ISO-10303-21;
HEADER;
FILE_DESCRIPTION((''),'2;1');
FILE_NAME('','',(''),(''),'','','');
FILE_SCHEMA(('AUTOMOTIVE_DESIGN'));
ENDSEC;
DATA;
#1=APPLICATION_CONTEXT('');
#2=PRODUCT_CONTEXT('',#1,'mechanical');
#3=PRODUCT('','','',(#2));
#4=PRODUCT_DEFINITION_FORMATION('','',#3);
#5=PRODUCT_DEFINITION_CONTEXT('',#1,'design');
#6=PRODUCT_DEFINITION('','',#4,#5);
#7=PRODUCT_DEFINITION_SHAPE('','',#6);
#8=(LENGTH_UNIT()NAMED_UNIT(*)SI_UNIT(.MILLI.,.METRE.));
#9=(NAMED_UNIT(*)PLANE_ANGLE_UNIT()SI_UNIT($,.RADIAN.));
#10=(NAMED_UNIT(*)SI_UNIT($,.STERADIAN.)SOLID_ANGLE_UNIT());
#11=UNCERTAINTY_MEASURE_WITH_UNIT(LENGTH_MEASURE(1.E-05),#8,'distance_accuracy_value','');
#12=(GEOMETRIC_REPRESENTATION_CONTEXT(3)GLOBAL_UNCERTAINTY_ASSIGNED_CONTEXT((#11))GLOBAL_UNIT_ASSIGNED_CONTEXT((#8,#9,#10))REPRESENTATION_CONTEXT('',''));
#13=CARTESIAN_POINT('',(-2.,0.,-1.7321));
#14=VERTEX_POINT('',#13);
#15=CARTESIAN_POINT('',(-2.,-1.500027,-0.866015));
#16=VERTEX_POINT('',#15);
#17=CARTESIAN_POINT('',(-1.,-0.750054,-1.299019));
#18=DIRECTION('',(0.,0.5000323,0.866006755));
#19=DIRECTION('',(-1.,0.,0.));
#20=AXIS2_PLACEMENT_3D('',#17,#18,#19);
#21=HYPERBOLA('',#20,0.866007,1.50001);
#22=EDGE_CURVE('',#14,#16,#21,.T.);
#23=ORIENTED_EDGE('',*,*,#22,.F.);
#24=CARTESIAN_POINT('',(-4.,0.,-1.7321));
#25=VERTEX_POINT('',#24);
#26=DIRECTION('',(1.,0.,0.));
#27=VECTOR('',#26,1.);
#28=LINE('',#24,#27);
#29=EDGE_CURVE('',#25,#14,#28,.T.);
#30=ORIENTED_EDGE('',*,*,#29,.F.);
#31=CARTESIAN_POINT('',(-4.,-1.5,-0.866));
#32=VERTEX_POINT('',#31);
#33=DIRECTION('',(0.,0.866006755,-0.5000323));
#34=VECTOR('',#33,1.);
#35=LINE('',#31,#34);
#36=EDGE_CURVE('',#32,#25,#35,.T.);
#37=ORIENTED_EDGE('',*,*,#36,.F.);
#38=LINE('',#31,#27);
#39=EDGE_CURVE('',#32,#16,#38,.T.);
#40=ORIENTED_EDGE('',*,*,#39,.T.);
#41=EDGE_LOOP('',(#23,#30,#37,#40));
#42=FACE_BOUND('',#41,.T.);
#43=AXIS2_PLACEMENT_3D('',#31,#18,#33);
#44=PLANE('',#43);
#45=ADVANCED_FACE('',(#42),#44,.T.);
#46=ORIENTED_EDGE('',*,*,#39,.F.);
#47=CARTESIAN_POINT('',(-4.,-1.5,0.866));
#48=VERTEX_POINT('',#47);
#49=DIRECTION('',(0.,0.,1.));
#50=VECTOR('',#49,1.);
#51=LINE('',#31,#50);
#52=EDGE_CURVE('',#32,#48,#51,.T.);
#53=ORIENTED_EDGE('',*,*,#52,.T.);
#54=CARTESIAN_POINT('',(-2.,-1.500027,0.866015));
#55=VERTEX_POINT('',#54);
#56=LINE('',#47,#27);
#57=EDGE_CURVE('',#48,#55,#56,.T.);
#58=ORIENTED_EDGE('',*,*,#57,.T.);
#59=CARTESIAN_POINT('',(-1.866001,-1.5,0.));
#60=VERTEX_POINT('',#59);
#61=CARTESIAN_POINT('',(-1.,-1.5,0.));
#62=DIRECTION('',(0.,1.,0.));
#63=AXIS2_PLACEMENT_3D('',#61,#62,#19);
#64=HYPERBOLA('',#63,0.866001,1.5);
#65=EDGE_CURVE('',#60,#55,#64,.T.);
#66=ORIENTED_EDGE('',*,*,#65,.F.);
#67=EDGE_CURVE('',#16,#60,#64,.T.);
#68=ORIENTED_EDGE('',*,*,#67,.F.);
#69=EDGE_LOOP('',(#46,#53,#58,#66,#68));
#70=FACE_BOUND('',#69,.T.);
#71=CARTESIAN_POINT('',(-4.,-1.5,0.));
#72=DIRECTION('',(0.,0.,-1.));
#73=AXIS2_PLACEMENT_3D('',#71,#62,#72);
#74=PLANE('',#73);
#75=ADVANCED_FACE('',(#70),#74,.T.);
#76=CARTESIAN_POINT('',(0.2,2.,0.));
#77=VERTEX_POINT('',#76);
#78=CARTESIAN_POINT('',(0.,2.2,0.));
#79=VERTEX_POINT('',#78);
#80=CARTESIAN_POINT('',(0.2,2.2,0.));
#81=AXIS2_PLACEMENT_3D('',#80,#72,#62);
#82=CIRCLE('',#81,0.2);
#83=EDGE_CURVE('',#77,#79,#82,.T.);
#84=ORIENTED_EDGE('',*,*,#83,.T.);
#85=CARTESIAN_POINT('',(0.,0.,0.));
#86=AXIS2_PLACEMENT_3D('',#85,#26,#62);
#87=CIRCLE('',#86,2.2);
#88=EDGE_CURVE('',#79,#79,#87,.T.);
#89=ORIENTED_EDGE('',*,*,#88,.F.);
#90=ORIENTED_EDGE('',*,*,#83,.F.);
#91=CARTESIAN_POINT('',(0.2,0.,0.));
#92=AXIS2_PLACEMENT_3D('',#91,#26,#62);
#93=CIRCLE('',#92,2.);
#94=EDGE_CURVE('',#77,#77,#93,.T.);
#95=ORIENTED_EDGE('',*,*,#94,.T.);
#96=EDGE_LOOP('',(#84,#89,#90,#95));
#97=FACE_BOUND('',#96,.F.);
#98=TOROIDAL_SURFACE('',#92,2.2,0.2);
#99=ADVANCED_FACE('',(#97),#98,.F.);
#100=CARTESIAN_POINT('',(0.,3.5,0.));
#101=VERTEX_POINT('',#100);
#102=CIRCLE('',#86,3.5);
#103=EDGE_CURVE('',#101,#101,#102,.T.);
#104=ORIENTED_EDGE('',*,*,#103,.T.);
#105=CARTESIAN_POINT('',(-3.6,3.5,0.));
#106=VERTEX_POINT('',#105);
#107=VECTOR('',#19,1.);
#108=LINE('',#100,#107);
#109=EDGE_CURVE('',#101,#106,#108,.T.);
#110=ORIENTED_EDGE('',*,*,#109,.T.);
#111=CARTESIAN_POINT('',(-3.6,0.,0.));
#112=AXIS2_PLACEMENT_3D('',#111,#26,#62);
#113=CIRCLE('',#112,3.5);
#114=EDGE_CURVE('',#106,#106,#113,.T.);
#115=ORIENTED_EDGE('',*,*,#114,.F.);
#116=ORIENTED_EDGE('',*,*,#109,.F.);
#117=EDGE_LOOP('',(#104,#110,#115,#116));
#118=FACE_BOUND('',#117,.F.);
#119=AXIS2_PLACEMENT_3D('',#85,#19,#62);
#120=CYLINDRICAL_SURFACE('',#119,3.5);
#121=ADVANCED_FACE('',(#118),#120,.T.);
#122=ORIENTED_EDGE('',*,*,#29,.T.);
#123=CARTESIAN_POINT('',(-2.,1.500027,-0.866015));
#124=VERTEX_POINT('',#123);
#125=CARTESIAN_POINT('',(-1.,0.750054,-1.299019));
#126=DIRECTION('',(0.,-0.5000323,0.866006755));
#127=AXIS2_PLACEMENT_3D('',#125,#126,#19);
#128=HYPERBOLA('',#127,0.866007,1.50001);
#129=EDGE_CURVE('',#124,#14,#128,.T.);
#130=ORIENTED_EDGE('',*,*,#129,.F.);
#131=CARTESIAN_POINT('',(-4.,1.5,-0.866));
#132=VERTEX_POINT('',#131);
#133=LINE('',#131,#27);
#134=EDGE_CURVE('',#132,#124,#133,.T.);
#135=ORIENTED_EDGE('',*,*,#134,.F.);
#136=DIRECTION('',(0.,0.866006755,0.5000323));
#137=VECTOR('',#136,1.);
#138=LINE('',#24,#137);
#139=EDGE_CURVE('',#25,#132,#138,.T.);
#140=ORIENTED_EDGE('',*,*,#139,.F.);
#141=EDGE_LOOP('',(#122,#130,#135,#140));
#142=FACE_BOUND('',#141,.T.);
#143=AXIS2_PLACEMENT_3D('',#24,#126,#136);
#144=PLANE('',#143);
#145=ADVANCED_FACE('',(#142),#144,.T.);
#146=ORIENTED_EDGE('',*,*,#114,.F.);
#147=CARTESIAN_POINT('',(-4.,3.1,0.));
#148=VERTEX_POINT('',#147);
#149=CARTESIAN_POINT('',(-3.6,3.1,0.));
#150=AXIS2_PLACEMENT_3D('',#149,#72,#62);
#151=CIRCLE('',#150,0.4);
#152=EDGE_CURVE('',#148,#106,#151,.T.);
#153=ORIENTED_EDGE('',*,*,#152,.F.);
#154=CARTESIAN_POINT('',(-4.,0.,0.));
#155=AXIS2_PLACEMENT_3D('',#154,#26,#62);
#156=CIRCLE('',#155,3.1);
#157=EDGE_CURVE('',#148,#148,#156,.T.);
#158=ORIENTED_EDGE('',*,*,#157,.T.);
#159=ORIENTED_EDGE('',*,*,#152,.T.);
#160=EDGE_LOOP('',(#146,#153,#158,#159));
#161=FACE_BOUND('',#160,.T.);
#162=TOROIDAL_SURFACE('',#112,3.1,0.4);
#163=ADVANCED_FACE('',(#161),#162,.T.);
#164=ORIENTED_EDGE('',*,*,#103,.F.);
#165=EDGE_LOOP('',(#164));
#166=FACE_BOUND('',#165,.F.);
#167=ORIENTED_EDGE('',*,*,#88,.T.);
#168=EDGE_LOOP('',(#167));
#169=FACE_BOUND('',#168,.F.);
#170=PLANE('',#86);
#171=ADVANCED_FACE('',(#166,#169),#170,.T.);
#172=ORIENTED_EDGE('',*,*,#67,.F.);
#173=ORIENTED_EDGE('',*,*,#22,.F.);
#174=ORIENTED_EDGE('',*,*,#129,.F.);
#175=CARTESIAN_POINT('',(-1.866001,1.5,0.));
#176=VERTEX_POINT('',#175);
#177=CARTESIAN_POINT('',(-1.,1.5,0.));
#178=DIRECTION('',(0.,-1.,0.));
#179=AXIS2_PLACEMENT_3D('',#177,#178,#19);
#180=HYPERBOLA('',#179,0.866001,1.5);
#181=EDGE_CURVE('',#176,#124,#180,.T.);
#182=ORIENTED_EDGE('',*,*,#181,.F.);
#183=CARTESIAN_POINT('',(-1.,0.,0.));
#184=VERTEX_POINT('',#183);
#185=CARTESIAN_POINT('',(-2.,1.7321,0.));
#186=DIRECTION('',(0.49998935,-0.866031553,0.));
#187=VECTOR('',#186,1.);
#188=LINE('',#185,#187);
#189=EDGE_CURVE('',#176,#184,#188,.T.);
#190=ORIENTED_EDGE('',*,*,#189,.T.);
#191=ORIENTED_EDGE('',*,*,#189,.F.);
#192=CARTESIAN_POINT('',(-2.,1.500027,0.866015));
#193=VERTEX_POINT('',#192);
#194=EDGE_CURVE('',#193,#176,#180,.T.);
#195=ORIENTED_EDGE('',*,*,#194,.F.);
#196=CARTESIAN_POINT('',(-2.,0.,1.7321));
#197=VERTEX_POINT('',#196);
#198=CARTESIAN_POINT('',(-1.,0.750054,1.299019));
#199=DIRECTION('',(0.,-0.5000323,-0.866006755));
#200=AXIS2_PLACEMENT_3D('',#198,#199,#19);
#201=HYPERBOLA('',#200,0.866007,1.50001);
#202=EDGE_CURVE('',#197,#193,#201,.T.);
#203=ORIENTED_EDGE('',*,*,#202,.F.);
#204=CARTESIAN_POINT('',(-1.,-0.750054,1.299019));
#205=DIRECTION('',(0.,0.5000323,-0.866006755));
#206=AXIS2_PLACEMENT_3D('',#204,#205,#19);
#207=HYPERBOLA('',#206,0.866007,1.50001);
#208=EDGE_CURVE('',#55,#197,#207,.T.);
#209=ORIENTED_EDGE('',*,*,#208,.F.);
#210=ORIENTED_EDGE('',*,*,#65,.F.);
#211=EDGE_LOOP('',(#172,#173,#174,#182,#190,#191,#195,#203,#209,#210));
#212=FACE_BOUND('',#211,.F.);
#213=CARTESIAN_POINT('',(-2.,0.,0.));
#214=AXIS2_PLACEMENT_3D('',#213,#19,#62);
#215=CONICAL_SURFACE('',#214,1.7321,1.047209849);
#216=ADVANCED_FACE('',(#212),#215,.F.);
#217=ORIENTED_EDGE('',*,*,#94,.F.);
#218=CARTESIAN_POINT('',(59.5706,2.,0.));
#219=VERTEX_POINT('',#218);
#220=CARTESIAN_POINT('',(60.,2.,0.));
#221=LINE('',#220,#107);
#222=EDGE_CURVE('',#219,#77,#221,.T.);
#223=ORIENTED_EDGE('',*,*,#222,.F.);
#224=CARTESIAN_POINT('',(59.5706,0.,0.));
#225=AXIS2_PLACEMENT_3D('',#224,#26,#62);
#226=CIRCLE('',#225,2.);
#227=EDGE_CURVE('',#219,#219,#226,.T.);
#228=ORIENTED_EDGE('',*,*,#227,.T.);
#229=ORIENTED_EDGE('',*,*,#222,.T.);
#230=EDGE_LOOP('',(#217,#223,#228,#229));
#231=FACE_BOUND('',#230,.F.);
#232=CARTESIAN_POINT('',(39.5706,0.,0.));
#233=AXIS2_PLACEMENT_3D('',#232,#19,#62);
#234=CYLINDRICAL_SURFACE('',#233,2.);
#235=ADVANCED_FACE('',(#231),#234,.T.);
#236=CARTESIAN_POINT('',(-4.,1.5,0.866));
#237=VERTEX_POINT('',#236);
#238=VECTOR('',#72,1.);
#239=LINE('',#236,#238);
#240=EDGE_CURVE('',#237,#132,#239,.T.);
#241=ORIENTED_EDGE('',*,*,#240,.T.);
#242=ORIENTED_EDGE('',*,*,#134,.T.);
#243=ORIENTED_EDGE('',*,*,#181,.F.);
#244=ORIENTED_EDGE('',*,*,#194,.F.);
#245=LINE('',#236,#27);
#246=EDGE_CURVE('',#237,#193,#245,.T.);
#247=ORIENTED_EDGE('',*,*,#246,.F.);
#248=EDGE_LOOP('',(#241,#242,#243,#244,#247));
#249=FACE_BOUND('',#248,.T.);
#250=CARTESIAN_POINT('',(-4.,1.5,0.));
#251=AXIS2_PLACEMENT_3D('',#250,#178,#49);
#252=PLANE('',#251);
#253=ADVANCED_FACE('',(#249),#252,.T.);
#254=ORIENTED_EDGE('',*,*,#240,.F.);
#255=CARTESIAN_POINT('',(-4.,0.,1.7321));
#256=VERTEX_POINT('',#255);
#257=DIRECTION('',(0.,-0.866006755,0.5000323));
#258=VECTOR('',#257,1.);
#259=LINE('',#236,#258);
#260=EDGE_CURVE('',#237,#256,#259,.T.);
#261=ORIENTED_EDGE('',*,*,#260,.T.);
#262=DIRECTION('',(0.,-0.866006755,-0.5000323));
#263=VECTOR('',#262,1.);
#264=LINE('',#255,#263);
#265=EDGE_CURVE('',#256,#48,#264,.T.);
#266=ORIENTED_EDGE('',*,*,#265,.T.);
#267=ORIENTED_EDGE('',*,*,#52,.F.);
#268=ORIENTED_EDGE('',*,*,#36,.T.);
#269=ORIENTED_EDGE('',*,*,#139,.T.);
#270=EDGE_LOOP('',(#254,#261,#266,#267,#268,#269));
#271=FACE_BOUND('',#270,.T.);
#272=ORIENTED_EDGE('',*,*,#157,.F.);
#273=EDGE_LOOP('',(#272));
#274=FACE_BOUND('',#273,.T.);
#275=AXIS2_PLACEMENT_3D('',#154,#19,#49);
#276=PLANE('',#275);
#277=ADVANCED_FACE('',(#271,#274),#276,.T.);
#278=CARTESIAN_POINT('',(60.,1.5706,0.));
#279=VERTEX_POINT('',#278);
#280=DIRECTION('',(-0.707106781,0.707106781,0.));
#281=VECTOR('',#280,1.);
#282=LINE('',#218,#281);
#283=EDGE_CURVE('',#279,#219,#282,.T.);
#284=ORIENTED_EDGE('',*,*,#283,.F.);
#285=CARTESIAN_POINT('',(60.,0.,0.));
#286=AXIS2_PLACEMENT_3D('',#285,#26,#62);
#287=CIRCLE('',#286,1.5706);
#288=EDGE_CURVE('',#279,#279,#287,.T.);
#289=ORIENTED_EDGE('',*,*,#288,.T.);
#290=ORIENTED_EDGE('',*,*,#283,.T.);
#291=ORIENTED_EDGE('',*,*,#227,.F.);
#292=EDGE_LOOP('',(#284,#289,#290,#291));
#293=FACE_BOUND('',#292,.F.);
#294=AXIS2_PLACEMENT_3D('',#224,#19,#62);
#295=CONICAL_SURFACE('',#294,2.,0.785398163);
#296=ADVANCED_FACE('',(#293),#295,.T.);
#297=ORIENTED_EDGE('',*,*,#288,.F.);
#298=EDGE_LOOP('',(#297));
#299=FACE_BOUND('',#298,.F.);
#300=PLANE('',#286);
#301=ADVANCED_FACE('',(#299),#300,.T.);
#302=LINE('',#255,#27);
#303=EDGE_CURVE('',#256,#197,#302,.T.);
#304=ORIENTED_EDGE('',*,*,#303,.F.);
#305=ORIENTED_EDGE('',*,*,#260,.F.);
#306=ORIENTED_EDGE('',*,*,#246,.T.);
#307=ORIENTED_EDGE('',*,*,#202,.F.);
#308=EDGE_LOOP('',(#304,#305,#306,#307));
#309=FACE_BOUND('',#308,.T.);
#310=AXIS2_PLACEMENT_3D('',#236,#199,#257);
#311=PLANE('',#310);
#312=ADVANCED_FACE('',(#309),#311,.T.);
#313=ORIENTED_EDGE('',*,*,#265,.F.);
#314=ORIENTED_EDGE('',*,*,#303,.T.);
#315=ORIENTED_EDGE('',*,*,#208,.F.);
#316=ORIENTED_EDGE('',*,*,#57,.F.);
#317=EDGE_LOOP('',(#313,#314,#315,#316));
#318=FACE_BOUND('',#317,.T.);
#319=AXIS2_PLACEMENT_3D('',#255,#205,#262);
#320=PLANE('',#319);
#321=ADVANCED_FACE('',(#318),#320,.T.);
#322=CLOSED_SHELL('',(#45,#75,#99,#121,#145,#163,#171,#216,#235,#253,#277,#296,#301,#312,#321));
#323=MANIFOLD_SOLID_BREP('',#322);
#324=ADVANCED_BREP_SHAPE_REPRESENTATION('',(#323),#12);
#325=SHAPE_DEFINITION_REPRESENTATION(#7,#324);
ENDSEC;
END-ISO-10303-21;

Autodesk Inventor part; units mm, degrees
ref_plane "YZ Plane" through (0, 0, 0) normal (1, 0, 0) x (0, 1, 0)
ref_plane "XZ Plane" through (0, 0, 0) normal (0, 1, 0) x (-1, 0, 0)
sketch "Sketch1" plane through (0, 0, 0) normal (0, 0, 1) x (1, 0, 0)
  line L0 (-1, 0) -> (60, 0)
  line L1 (60, 0) -> (60, 2)
  line L2 (60, 2) -> (40, 2)
  line L3 (40, 2) -> (39.5706, 2)
  line L4 (39.5706, 2) -> (0, 2)
  line L5 (0, 2) -> (0, 3.5)
  line L6 (0, 3.5) -> (-4, 3.5)
  line L7 (-4, 3.5) -> (-4, 1.7321)
  line L8 (-4, 1.7321) -> (-2, 1.7321)
  line L9 (-2, 1.7321) -> (-1, 0)
  line L10 (-16.8, 0) -> (72.8, 0) projected
  line L11 (0, -0.7) -> (0, 4.2) projected
  line L12 (40, 2) -> (0, 2) construction
  dimension "d0" = 20
  dimension "d1" = 0.4294
  dimension "d2" = 4
  dimension "d3" = 2
  dimension "d4" = 60
  dimension "d5" = 4
  dimension "d6" = 4
  dimension "d7" = 3.4641
  dimension "d8" = 7
  dimension "d19" = 60
revolve "Body" add sketch "Sketch1" angle 360 about axis through (-1, 0, 0) along (1, 0, 0)
sketch "Sketch2" plane through (-4, 0, 0) normal (-1, 0, 0) x (0, 0, 1)
  circle A0 centre (0, 0) radius 1.7321 projected
  line L0 (0, -4.9) -> (0, 4.9) projected
  line L1 (-4.9, 0) -> (4.9, 0) projected
  line L2 (1.7321, 0) -> (0.866, -1.5)
  line L3 (0.866, -1.5) -> (-0.866, -1.5)
  line L4 (-0.866, -1.5) -> (-1.7321, 0)
  line L5 (-1.7321, 0) -> (-0.866, 1.5)
  line L6 (-0.866, 1.5) -> (0.866, 1.5)
  line L7 (0.866, 1.5) -> (1.7321, 0)
extrude "Slot" add sketch "Sketch2" against normal up to next contours L7 A0 | A0 L2 | L6 L0 A0 | A0 L0 L3 | L0 L6 A0 | A0 L3 L0 | L4 A0 | A0 L5
fillet "Fillet2" radius 0.4 1 edges at (-4, -3.5, 0)
thread "Thread" size "M4x0.7" class "6g" standard "ISO Metric profile" length 20
chamfer "Chamfer1" distance 0.4294 distance2 0.4294 1 edges at (60, -2, 0) measured on face at (60, -0.527, -0.8312)
fillet "Fillet1" radius 0.2 1 edges at (0, -2, 0)
ref_plane "Work Plane1" through (30, 0, 0) normal (0, -0.5, 0.866) x (1, 0, 0)
equation "\"d0\" = GEL"
equation "\"d1\" = GAL"
equation "\"d2\" = KOH"
equation "\"d3\" = INTI"
equation "\"d5\" = GD"
equation "\"d6\" = BDM"
equation "\"d7\" = 1.1547 * SW"
equation "\"d8\" = KOD"
equation "\"d19\" = NLG"
equation "\"d16\" = RR"
equation "\"d12\" = GEL"
equation "\"d14\" = -0.5 * SPD + 0.5 * GD"
equation "\"d15\" = GUL"
equation "\"d29\" = R"
equation "\"GD\" = NND"
equation "\"NLG\" = 60"
equation "\"GEL\" = 20"
equation "\"KOD\" = 7"
equation "\"KOH\" = 4"
equation "\"INTI\" = 2"
equation "\"GAL\" = 0.61345 * PTC"
equation "\"GUL\" = 0.61345 * PTC"
equation "\"BDM\" = NND"
equation "\"SW\" = 3"
equation "\"RR\" = 0.4"
equation "\"SPD\" = 3.14117"
equation "\"d28\" = R"
equation "\"R\" = 0.2"
equation "\"TOA\" = 30deg"
equation "\"THREADDIA\" = 4"
equation "\"KOD1\" = KOD"
equation "\"PTC\" = 0.7"
equation "\"NND\" = 4"
equation "\"E0\" = 1.155 * SW"
equation "\"GD1\" = THREADDIA - 1.2269 * PTC"
properties part number "ANSI B18.3.1M - M4x0.7 x 60, BSHCSM" material "Steel, Mild"
